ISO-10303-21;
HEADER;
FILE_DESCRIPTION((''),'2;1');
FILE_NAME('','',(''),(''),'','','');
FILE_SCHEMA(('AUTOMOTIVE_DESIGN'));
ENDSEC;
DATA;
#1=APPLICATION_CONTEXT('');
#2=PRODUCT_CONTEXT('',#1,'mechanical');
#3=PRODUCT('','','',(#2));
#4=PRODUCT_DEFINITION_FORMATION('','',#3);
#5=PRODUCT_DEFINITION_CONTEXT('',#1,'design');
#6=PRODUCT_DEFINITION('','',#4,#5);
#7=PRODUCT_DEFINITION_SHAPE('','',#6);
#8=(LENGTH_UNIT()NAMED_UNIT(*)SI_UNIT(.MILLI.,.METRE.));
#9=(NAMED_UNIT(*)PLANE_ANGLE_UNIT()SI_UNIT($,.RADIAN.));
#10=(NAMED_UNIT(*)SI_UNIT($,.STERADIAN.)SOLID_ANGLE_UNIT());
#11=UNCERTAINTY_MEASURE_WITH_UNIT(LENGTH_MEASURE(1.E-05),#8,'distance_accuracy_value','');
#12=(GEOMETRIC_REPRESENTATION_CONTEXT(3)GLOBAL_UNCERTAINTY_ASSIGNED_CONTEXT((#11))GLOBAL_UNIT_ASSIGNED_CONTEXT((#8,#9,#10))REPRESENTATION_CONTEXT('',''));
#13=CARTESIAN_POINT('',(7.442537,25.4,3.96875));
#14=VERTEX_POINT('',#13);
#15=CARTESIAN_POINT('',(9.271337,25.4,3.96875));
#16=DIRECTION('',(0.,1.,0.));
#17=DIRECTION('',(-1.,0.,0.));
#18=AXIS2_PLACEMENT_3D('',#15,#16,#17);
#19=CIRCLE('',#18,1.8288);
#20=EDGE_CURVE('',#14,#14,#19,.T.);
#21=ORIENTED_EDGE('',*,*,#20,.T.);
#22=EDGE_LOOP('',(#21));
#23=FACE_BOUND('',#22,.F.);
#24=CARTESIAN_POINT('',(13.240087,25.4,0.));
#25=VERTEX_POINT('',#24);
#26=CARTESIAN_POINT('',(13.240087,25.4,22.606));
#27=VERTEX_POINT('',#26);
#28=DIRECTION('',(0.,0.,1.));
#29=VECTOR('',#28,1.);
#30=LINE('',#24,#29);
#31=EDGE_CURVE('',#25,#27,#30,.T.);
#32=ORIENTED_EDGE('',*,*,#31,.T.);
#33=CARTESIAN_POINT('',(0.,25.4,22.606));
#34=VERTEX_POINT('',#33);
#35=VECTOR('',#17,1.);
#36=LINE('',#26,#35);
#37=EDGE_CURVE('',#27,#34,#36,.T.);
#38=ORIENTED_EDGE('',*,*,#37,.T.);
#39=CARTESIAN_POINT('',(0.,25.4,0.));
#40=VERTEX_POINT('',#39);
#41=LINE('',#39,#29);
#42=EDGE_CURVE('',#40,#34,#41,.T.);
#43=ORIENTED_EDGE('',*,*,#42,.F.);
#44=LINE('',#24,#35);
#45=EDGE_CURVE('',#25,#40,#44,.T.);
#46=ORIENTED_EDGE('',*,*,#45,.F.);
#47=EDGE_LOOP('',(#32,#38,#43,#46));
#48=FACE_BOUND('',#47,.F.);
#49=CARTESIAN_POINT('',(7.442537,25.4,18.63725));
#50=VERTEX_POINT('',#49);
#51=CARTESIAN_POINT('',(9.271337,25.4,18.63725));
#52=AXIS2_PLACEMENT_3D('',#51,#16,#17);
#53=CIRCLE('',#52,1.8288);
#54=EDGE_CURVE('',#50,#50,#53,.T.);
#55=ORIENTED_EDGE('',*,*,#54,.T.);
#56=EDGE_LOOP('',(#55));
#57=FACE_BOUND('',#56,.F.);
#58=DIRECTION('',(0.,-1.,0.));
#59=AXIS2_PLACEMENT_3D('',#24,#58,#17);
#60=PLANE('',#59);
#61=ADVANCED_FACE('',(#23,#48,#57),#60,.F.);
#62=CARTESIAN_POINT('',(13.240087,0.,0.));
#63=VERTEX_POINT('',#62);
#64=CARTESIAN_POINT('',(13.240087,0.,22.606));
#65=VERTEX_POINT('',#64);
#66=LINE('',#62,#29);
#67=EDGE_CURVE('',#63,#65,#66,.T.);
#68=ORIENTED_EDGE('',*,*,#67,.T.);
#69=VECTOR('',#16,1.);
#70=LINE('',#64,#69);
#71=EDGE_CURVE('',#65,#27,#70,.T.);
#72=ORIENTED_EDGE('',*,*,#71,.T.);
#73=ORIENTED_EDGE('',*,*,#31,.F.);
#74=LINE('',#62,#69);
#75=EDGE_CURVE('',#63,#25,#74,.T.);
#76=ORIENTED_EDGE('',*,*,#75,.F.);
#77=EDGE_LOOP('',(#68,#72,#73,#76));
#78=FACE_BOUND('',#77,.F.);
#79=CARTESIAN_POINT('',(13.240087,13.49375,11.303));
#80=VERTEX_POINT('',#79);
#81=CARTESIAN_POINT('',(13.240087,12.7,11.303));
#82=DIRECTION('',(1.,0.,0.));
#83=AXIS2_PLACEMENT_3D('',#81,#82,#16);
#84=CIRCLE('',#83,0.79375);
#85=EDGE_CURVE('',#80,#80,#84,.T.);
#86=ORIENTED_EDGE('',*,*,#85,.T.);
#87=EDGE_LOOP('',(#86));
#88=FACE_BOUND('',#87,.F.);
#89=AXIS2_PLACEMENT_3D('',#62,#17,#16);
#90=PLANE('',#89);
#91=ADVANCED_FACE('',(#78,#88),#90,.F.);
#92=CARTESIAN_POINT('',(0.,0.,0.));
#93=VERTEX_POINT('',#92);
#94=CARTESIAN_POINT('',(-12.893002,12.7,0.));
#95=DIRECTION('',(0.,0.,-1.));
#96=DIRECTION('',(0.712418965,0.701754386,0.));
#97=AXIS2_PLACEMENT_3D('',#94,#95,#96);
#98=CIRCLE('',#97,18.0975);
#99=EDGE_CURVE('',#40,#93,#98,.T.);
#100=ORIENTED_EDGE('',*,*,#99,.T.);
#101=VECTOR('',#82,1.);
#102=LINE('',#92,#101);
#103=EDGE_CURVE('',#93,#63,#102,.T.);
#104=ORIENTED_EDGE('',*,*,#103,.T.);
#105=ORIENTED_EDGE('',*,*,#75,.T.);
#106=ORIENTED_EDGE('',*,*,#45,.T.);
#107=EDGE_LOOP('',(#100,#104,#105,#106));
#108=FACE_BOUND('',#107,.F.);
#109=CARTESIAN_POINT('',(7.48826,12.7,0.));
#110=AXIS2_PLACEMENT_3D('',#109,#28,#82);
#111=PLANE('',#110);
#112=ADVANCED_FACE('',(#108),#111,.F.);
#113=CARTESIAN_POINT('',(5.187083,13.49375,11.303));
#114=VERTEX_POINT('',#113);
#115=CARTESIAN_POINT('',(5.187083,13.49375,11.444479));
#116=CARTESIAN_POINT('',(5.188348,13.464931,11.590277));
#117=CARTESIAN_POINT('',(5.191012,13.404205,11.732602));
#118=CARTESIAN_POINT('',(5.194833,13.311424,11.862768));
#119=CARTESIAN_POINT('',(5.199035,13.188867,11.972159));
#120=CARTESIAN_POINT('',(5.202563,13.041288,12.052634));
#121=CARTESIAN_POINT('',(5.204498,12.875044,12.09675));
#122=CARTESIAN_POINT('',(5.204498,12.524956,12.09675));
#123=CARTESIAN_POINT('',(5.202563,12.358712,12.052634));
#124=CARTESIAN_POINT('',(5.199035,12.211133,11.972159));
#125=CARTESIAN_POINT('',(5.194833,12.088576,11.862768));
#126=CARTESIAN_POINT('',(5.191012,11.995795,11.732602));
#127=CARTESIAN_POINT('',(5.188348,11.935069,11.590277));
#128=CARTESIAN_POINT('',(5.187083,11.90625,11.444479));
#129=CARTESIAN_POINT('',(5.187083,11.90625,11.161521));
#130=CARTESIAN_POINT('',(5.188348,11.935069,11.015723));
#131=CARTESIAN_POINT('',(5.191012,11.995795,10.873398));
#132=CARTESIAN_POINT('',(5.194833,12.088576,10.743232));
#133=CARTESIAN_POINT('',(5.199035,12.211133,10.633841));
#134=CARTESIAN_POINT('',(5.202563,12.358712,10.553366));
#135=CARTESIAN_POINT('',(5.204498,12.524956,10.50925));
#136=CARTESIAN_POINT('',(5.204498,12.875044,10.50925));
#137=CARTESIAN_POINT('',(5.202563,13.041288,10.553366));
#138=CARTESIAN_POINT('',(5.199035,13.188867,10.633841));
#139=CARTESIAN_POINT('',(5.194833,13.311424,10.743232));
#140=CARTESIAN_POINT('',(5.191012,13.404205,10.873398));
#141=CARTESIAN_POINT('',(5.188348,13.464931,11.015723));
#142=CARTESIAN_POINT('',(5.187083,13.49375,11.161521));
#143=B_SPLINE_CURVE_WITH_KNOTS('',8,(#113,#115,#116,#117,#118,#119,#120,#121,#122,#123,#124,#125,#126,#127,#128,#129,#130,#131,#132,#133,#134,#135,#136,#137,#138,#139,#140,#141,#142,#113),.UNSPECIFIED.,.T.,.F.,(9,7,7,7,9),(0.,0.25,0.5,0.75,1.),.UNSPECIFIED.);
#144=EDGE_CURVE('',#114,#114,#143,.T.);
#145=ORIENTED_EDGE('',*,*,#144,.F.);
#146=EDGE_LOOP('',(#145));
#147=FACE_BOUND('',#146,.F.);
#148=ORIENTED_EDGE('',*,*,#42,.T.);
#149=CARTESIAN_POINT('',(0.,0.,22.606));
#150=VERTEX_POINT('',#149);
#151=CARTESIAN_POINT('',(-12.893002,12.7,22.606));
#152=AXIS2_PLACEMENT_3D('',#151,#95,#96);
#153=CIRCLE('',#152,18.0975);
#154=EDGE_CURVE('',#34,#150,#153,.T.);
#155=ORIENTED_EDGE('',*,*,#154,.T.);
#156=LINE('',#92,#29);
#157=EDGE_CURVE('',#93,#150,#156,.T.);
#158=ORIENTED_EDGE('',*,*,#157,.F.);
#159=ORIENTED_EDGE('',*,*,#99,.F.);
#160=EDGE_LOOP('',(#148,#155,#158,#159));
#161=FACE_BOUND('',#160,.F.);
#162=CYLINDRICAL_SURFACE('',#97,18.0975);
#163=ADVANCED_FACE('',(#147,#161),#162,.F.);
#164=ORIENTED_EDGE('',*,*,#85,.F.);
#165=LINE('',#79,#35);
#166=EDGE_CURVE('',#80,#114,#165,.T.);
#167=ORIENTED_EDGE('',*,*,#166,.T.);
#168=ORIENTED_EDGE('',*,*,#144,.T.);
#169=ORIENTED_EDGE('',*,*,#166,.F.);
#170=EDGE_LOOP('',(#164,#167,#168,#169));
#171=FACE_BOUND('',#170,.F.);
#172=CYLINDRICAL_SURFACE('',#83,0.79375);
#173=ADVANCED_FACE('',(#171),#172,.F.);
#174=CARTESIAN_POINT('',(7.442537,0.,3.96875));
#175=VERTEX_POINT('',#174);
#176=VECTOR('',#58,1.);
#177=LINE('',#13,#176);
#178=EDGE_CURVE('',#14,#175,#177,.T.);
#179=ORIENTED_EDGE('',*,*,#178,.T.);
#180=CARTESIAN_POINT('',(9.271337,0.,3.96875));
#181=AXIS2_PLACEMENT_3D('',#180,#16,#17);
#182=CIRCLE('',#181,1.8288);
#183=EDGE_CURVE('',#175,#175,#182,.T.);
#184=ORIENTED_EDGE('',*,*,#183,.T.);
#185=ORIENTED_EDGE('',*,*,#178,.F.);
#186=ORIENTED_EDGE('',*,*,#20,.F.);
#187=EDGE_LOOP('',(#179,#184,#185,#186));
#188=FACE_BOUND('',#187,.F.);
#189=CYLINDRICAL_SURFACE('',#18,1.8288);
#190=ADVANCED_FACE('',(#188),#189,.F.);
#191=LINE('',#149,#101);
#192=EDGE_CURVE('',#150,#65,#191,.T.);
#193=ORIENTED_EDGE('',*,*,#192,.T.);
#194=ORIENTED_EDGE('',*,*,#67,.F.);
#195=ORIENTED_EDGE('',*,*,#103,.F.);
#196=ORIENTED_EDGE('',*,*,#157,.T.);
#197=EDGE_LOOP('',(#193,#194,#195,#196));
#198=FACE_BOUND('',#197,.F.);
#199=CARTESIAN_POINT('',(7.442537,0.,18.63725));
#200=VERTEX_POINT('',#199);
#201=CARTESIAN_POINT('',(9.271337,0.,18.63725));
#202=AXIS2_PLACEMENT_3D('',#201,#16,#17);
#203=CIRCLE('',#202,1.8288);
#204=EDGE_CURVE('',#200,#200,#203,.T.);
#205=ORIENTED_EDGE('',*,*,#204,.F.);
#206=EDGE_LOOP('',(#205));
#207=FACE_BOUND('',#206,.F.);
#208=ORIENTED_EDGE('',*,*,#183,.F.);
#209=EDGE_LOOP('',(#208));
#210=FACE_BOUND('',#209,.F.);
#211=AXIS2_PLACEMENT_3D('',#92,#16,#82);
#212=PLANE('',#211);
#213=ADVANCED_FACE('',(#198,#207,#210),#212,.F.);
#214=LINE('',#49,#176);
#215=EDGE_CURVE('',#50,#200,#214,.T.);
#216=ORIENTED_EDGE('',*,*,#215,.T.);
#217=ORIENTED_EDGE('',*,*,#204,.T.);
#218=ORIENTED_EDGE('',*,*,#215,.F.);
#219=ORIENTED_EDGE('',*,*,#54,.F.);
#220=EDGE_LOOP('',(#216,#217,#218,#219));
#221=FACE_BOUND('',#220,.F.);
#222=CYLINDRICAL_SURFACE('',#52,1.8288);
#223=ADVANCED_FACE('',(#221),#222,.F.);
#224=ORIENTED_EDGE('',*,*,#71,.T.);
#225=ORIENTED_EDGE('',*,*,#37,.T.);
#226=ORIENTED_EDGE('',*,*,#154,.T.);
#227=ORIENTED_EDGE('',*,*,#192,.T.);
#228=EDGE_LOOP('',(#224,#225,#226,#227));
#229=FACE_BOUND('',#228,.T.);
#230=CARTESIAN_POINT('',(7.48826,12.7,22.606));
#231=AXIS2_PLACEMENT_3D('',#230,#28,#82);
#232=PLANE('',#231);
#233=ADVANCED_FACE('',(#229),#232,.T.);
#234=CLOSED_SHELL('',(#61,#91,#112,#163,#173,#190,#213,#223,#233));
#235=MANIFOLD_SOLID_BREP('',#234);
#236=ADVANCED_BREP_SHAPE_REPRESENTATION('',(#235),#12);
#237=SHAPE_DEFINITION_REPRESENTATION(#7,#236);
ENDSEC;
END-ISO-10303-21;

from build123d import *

# Parameters (mm, degrees)
F1_DEPTH = 22.606
F2_R     = 1.8288
F3_DEPTH = 25.4
F4_R     = 0.79375
F5_DEPTH = 9.0530042065


with BuildPart() as f1:
    # F0 (on Top) → F1 (new body)
    with BuildSketch(Plane.XY):
        with BuildLine():
            ThreePointArc((0, 25.4), (5.2044977798, 12.7), (0, 0))
            Line((0, 0), (13.2400867088, 0))
            Line((13.2400867088, 0), (13.2400867088, 25.4))
            Line((13.2400867088, 25.4), (0, 25.4))
        make_face()
    extrude(amount=F1_DEPTH)

    # F2 (on face) → F3 (cut, through all)
    with BuildSketch(Plane(origin=(0, 25.4, 0), x_dir=(-1, 0, 0), z_dir=(0, 1, 0))):
        with Locations((-9.2713367088, 3.96875)):
            Circle(F2_R)
        with Locations((-9.2713367088, 18.63725)):
            Circle(F2_R)
    extrude(amount=-F3_DEPTH, mode=Mode.SUBTRACT)

    # F4 (on face) → F5 (cut, up to face)
    with BuildSketch(Plane.YZ.offset(13.2400867088)):
        with Locations((12.7, 11.303)):
            Circle(F4_R)
    extrude(amount=-F5_DEPTH, mode=Mode.SUBTRACT)


solid = f1.part
